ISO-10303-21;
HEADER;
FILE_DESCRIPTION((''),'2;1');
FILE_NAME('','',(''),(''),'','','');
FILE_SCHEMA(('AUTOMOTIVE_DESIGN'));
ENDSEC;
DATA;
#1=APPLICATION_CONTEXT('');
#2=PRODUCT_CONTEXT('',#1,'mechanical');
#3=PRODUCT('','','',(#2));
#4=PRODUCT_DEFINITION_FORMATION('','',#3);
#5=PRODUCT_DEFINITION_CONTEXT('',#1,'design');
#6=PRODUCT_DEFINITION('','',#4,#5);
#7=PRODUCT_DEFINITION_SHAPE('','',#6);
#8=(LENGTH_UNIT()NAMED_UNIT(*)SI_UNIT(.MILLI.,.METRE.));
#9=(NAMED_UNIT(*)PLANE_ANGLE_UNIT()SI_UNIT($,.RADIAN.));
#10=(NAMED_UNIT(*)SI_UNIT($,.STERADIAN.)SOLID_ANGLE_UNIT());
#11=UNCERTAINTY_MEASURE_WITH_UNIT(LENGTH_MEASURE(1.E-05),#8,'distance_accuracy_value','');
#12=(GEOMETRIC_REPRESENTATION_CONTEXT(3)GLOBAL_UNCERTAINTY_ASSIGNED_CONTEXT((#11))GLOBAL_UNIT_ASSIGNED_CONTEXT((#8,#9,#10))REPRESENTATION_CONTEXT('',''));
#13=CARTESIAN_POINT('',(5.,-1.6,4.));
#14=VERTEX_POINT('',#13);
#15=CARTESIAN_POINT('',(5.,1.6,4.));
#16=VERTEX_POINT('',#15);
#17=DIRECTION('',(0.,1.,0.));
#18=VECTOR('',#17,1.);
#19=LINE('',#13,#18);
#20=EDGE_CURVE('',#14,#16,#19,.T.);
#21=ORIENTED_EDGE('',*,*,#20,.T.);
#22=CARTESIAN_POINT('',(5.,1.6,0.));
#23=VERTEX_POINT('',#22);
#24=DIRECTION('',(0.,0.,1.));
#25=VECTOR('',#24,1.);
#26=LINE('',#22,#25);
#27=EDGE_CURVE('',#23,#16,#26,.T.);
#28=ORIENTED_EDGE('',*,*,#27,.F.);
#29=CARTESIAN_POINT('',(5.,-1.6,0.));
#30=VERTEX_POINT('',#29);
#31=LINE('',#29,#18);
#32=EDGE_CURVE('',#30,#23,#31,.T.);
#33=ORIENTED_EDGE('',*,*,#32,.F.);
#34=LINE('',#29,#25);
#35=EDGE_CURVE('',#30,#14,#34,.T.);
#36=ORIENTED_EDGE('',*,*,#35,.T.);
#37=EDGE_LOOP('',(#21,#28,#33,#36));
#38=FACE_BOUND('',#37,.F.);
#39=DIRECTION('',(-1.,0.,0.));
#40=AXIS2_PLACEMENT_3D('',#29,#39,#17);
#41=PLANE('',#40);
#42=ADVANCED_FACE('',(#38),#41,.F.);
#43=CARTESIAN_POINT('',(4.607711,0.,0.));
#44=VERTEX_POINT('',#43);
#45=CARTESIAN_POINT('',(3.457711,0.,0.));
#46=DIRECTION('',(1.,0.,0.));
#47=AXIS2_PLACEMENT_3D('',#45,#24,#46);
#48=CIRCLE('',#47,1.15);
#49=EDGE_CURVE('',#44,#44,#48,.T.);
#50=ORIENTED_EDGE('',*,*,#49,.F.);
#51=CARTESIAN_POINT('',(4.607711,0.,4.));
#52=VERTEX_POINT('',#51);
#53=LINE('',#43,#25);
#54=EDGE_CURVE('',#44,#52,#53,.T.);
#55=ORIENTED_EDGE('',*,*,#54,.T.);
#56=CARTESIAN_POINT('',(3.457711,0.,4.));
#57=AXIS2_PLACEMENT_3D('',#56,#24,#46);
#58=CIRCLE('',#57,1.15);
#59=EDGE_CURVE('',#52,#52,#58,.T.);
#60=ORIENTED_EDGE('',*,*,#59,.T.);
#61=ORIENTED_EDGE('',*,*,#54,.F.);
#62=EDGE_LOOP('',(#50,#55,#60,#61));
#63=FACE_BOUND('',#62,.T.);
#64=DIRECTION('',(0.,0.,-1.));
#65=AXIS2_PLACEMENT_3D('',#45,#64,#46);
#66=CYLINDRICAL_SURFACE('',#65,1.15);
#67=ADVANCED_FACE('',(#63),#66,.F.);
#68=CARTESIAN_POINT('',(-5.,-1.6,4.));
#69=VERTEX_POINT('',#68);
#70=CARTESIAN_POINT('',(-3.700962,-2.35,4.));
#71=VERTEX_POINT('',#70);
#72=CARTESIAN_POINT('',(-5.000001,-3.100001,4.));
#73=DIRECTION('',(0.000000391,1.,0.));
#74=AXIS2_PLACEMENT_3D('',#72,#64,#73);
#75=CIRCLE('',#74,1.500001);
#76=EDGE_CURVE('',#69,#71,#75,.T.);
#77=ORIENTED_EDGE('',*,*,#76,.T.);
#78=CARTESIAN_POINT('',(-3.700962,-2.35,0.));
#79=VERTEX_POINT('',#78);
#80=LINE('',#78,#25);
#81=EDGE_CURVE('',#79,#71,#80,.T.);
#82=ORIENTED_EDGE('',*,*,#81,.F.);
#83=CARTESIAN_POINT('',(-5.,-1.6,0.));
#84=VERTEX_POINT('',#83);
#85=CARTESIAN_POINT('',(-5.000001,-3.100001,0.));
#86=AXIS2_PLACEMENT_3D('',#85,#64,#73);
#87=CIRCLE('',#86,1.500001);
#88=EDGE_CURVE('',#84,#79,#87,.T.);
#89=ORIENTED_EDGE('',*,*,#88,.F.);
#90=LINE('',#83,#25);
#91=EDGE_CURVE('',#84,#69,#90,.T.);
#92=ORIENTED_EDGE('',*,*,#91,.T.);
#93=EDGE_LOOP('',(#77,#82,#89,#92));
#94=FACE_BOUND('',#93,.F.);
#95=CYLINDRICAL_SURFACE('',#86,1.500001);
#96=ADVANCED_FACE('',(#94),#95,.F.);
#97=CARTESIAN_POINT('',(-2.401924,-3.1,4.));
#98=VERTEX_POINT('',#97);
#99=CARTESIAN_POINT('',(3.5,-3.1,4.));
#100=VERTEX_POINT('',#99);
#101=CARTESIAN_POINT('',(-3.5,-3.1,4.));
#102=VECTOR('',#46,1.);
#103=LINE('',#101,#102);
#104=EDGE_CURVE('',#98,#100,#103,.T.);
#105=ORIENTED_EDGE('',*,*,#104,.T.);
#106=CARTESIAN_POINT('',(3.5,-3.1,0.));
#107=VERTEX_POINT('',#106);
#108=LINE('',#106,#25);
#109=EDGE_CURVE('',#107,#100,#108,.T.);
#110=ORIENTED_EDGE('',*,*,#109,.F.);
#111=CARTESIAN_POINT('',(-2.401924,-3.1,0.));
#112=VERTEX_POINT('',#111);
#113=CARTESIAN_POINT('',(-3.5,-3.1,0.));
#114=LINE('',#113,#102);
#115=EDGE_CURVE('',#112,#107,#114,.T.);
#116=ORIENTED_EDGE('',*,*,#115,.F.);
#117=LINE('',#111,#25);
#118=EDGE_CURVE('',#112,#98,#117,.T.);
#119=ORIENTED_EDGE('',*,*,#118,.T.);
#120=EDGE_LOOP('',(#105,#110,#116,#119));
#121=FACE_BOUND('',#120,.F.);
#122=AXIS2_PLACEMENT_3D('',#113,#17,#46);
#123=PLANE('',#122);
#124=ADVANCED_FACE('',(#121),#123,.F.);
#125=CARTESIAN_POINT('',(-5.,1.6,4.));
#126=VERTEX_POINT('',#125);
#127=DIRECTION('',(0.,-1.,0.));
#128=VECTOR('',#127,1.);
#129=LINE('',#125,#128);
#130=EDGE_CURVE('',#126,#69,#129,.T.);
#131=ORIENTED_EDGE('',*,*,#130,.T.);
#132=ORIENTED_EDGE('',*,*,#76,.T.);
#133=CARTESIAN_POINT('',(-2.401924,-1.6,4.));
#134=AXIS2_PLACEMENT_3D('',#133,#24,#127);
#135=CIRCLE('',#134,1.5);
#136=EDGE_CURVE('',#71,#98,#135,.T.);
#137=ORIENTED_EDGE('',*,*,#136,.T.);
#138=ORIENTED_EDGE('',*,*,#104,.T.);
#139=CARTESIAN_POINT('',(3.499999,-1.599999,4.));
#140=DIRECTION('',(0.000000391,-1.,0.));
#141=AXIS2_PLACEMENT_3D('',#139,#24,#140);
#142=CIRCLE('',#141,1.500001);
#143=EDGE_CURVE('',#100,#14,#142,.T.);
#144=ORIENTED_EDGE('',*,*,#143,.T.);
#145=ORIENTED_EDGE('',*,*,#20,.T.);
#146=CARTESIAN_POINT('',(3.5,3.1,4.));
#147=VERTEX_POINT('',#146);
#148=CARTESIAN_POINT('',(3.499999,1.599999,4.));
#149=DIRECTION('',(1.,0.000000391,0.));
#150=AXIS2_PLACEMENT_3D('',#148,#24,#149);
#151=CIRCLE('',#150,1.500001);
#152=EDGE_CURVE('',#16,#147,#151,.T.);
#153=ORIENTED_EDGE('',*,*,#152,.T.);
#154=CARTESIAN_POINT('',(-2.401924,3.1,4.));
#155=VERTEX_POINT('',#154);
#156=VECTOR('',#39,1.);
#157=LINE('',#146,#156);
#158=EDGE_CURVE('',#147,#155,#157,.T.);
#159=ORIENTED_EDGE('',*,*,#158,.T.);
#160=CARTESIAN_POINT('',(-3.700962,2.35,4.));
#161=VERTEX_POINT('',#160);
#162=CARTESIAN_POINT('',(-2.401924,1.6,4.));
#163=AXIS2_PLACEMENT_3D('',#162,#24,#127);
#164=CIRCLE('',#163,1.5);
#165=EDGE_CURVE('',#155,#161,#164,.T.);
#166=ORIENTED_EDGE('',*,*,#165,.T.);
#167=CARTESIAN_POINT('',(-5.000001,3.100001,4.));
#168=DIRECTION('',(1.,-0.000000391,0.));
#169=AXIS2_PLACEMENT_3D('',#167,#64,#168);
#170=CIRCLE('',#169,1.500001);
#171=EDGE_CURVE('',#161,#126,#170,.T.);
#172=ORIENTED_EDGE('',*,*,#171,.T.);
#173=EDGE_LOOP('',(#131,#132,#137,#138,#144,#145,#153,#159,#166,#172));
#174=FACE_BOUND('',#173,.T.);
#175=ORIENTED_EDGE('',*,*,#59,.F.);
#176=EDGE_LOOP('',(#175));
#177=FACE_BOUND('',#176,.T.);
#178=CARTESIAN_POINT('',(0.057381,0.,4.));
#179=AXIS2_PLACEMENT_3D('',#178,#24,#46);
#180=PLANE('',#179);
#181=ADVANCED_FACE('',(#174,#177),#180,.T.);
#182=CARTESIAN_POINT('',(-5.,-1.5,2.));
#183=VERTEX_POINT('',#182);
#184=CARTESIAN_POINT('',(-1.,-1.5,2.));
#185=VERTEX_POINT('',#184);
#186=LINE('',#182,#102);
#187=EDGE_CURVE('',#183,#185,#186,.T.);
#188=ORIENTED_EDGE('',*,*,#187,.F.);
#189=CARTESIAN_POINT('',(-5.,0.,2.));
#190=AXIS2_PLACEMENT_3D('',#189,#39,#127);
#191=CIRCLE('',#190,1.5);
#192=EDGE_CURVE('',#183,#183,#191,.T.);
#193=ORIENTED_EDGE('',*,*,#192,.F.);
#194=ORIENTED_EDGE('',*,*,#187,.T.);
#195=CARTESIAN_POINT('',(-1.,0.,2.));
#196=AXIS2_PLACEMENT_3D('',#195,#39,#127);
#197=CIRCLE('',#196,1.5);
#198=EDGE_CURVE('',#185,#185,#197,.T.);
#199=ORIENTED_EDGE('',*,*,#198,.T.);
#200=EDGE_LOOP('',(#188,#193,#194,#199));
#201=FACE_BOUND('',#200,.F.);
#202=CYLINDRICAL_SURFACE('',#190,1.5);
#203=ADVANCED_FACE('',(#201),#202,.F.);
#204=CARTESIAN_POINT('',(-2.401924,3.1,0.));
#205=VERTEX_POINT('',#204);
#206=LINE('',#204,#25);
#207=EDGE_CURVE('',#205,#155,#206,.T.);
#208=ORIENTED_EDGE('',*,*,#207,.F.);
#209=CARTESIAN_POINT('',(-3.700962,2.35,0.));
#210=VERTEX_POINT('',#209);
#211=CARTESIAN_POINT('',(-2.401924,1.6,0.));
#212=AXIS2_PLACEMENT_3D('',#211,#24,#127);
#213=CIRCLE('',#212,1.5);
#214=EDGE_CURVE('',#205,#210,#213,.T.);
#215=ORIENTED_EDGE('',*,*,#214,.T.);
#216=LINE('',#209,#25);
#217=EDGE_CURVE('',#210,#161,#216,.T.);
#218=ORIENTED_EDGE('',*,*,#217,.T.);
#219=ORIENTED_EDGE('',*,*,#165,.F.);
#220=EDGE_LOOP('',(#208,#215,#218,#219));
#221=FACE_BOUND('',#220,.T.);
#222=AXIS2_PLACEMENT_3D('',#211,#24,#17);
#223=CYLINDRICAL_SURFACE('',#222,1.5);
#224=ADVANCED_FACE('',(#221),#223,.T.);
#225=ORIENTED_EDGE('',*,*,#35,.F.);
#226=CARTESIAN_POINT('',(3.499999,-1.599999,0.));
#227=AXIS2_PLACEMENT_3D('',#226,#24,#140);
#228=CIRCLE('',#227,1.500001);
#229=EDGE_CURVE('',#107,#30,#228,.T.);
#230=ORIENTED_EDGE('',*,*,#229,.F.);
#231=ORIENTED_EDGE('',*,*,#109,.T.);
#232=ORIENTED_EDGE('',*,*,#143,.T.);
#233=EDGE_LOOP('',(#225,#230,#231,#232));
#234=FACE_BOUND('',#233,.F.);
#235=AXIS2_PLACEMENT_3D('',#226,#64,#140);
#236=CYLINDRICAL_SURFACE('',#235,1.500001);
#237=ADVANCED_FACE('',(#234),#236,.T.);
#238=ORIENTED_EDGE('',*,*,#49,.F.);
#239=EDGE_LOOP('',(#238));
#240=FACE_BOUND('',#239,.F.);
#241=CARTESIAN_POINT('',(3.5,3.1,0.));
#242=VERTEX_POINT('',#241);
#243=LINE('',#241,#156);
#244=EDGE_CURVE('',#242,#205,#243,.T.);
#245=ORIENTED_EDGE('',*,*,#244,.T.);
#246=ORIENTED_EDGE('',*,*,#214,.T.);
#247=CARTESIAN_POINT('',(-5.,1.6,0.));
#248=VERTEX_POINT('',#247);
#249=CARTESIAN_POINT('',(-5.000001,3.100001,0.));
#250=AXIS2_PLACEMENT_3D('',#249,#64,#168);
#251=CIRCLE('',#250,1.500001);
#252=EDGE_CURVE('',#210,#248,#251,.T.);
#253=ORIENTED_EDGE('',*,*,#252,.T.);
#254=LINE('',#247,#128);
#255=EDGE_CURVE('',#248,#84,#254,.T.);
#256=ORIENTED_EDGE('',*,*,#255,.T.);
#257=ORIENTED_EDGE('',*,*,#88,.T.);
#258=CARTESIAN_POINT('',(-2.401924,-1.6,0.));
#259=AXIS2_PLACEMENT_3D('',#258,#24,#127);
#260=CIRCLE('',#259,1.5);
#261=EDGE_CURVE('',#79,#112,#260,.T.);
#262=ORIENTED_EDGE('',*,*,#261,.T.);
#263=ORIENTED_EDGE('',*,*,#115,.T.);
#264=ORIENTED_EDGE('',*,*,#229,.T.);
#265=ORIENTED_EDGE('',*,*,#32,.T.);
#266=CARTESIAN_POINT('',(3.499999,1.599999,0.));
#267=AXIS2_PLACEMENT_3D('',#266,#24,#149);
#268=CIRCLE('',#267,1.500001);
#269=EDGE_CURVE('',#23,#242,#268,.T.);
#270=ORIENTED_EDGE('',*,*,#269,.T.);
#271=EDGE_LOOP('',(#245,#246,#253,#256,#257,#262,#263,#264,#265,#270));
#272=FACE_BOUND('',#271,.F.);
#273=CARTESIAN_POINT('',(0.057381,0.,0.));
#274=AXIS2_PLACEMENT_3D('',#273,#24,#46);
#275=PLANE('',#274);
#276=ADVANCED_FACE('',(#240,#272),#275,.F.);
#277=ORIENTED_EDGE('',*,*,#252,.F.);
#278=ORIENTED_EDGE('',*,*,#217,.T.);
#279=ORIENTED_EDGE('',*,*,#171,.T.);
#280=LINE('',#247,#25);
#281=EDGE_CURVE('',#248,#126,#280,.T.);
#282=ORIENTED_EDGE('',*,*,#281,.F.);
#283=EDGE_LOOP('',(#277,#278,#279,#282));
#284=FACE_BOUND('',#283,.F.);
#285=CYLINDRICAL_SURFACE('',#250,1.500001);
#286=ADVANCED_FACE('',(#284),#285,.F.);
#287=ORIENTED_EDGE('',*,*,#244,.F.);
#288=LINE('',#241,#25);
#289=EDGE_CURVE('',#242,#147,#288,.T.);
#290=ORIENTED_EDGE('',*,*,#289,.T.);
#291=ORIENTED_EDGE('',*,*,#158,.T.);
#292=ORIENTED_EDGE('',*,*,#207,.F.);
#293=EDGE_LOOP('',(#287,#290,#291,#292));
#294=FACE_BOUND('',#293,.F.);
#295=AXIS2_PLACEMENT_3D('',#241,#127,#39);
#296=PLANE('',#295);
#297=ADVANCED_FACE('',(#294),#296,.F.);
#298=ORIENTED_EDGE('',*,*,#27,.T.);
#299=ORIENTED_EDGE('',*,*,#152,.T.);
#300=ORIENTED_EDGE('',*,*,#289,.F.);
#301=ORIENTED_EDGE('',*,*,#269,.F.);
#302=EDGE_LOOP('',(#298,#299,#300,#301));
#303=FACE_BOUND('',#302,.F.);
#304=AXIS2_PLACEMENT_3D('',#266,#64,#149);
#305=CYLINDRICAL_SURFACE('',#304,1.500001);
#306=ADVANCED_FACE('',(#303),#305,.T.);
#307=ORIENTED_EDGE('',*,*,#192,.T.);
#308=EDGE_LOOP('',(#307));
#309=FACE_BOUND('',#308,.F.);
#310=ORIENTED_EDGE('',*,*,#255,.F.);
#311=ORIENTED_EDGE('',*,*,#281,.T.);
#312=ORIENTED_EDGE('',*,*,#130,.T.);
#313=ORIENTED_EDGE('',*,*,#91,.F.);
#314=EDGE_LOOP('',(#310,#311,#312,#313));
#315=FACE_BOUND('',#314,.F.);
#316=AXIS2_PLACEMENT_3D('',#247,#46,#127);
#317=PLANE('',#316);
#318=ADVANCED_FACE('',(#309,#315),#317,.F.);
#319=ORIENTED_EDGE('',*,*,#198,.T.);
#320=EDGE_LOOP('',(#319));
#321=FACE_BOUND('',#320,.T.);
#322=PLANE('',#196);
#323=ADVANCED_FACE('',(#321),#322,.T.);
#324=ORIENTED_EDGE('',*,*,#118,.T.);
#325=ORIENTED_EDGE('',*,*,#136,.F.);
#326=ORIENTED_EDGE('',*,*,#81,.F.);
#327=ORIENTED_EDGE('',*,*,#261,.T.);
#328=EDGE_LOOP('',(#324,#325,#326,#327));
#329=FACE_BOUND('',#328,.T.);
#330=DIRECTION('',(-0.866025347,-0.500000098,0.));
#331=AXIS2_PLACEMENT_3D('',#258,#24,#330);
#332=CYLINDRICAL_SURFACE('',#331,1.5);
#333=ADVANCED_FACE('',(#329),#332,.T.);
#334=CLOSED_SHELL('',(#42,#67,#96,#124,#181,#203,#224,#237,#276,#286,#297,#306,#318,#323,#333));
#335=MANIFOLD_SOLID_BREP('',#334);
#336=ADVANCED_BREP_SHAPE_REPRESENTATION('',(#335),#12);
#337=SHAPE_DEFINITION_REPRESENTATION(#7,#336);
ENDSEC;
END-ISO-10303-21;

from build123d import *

# Parameters (mm, degrees)
F0_R     = 1.15
F1_DEPTH = 4
F2_R     = 1.5
F3_R     = 1.5
F4_DEPTH = 4


with BuildPart() as f1:
    # F0 (on Top) → F1 (new body)
    with BuildSketch(Plane.XY):
        with BuildLine():
            Line((3.5, 3.1), (-3.5, 3.1))
            ThreePointArc((-3.5, 3.1), (-3.93934, 2.03934), (-5, 1.6))
            Line((-5, 1.6), (-5, -1.6))
            ThreePointArc((-5, -1.6), (-3.93934, -2.03934), (-3.5, -3.1))
            Line((-3.5, -3.1), (3.5, -3.1))
            ThreePointArc((3.5, -3.1), (4.56066, -2.66066), (5, -1.6))
            Line((5, -1.6), (5, 1.6))
            ThreePointArc((5, 1.6), (4.56066, 2.66066), (3.5, 3.1))
        make_face()
        with Locations((3.457711, 0)):
            Circle(F0_R, mode=Mode.SUBTRACT)
    extrude(amount=F1_DEPTH)

    # F2
    f2_edges = [f1.edges().sort_by_distance(p)[0] for p in [
        (-3.5, -3.1, 2),
        (-3.5, 3.1, 2),
    ]]
    fillet(f2_edges, radius=F2_R)

    # F3 (on face) → F4 (cut)
    with BuildSketch(Plane(origin=(-5, 0, 0), x_dir=(0, -1, 0), z_dir=(-1, 0, 0))):
        with Locations((0, 2)):
            Circle(F3_R)
    extrude(amount=-F4_DEPTH, mode=Mode.SUBTRACT)


solid = f1.part
